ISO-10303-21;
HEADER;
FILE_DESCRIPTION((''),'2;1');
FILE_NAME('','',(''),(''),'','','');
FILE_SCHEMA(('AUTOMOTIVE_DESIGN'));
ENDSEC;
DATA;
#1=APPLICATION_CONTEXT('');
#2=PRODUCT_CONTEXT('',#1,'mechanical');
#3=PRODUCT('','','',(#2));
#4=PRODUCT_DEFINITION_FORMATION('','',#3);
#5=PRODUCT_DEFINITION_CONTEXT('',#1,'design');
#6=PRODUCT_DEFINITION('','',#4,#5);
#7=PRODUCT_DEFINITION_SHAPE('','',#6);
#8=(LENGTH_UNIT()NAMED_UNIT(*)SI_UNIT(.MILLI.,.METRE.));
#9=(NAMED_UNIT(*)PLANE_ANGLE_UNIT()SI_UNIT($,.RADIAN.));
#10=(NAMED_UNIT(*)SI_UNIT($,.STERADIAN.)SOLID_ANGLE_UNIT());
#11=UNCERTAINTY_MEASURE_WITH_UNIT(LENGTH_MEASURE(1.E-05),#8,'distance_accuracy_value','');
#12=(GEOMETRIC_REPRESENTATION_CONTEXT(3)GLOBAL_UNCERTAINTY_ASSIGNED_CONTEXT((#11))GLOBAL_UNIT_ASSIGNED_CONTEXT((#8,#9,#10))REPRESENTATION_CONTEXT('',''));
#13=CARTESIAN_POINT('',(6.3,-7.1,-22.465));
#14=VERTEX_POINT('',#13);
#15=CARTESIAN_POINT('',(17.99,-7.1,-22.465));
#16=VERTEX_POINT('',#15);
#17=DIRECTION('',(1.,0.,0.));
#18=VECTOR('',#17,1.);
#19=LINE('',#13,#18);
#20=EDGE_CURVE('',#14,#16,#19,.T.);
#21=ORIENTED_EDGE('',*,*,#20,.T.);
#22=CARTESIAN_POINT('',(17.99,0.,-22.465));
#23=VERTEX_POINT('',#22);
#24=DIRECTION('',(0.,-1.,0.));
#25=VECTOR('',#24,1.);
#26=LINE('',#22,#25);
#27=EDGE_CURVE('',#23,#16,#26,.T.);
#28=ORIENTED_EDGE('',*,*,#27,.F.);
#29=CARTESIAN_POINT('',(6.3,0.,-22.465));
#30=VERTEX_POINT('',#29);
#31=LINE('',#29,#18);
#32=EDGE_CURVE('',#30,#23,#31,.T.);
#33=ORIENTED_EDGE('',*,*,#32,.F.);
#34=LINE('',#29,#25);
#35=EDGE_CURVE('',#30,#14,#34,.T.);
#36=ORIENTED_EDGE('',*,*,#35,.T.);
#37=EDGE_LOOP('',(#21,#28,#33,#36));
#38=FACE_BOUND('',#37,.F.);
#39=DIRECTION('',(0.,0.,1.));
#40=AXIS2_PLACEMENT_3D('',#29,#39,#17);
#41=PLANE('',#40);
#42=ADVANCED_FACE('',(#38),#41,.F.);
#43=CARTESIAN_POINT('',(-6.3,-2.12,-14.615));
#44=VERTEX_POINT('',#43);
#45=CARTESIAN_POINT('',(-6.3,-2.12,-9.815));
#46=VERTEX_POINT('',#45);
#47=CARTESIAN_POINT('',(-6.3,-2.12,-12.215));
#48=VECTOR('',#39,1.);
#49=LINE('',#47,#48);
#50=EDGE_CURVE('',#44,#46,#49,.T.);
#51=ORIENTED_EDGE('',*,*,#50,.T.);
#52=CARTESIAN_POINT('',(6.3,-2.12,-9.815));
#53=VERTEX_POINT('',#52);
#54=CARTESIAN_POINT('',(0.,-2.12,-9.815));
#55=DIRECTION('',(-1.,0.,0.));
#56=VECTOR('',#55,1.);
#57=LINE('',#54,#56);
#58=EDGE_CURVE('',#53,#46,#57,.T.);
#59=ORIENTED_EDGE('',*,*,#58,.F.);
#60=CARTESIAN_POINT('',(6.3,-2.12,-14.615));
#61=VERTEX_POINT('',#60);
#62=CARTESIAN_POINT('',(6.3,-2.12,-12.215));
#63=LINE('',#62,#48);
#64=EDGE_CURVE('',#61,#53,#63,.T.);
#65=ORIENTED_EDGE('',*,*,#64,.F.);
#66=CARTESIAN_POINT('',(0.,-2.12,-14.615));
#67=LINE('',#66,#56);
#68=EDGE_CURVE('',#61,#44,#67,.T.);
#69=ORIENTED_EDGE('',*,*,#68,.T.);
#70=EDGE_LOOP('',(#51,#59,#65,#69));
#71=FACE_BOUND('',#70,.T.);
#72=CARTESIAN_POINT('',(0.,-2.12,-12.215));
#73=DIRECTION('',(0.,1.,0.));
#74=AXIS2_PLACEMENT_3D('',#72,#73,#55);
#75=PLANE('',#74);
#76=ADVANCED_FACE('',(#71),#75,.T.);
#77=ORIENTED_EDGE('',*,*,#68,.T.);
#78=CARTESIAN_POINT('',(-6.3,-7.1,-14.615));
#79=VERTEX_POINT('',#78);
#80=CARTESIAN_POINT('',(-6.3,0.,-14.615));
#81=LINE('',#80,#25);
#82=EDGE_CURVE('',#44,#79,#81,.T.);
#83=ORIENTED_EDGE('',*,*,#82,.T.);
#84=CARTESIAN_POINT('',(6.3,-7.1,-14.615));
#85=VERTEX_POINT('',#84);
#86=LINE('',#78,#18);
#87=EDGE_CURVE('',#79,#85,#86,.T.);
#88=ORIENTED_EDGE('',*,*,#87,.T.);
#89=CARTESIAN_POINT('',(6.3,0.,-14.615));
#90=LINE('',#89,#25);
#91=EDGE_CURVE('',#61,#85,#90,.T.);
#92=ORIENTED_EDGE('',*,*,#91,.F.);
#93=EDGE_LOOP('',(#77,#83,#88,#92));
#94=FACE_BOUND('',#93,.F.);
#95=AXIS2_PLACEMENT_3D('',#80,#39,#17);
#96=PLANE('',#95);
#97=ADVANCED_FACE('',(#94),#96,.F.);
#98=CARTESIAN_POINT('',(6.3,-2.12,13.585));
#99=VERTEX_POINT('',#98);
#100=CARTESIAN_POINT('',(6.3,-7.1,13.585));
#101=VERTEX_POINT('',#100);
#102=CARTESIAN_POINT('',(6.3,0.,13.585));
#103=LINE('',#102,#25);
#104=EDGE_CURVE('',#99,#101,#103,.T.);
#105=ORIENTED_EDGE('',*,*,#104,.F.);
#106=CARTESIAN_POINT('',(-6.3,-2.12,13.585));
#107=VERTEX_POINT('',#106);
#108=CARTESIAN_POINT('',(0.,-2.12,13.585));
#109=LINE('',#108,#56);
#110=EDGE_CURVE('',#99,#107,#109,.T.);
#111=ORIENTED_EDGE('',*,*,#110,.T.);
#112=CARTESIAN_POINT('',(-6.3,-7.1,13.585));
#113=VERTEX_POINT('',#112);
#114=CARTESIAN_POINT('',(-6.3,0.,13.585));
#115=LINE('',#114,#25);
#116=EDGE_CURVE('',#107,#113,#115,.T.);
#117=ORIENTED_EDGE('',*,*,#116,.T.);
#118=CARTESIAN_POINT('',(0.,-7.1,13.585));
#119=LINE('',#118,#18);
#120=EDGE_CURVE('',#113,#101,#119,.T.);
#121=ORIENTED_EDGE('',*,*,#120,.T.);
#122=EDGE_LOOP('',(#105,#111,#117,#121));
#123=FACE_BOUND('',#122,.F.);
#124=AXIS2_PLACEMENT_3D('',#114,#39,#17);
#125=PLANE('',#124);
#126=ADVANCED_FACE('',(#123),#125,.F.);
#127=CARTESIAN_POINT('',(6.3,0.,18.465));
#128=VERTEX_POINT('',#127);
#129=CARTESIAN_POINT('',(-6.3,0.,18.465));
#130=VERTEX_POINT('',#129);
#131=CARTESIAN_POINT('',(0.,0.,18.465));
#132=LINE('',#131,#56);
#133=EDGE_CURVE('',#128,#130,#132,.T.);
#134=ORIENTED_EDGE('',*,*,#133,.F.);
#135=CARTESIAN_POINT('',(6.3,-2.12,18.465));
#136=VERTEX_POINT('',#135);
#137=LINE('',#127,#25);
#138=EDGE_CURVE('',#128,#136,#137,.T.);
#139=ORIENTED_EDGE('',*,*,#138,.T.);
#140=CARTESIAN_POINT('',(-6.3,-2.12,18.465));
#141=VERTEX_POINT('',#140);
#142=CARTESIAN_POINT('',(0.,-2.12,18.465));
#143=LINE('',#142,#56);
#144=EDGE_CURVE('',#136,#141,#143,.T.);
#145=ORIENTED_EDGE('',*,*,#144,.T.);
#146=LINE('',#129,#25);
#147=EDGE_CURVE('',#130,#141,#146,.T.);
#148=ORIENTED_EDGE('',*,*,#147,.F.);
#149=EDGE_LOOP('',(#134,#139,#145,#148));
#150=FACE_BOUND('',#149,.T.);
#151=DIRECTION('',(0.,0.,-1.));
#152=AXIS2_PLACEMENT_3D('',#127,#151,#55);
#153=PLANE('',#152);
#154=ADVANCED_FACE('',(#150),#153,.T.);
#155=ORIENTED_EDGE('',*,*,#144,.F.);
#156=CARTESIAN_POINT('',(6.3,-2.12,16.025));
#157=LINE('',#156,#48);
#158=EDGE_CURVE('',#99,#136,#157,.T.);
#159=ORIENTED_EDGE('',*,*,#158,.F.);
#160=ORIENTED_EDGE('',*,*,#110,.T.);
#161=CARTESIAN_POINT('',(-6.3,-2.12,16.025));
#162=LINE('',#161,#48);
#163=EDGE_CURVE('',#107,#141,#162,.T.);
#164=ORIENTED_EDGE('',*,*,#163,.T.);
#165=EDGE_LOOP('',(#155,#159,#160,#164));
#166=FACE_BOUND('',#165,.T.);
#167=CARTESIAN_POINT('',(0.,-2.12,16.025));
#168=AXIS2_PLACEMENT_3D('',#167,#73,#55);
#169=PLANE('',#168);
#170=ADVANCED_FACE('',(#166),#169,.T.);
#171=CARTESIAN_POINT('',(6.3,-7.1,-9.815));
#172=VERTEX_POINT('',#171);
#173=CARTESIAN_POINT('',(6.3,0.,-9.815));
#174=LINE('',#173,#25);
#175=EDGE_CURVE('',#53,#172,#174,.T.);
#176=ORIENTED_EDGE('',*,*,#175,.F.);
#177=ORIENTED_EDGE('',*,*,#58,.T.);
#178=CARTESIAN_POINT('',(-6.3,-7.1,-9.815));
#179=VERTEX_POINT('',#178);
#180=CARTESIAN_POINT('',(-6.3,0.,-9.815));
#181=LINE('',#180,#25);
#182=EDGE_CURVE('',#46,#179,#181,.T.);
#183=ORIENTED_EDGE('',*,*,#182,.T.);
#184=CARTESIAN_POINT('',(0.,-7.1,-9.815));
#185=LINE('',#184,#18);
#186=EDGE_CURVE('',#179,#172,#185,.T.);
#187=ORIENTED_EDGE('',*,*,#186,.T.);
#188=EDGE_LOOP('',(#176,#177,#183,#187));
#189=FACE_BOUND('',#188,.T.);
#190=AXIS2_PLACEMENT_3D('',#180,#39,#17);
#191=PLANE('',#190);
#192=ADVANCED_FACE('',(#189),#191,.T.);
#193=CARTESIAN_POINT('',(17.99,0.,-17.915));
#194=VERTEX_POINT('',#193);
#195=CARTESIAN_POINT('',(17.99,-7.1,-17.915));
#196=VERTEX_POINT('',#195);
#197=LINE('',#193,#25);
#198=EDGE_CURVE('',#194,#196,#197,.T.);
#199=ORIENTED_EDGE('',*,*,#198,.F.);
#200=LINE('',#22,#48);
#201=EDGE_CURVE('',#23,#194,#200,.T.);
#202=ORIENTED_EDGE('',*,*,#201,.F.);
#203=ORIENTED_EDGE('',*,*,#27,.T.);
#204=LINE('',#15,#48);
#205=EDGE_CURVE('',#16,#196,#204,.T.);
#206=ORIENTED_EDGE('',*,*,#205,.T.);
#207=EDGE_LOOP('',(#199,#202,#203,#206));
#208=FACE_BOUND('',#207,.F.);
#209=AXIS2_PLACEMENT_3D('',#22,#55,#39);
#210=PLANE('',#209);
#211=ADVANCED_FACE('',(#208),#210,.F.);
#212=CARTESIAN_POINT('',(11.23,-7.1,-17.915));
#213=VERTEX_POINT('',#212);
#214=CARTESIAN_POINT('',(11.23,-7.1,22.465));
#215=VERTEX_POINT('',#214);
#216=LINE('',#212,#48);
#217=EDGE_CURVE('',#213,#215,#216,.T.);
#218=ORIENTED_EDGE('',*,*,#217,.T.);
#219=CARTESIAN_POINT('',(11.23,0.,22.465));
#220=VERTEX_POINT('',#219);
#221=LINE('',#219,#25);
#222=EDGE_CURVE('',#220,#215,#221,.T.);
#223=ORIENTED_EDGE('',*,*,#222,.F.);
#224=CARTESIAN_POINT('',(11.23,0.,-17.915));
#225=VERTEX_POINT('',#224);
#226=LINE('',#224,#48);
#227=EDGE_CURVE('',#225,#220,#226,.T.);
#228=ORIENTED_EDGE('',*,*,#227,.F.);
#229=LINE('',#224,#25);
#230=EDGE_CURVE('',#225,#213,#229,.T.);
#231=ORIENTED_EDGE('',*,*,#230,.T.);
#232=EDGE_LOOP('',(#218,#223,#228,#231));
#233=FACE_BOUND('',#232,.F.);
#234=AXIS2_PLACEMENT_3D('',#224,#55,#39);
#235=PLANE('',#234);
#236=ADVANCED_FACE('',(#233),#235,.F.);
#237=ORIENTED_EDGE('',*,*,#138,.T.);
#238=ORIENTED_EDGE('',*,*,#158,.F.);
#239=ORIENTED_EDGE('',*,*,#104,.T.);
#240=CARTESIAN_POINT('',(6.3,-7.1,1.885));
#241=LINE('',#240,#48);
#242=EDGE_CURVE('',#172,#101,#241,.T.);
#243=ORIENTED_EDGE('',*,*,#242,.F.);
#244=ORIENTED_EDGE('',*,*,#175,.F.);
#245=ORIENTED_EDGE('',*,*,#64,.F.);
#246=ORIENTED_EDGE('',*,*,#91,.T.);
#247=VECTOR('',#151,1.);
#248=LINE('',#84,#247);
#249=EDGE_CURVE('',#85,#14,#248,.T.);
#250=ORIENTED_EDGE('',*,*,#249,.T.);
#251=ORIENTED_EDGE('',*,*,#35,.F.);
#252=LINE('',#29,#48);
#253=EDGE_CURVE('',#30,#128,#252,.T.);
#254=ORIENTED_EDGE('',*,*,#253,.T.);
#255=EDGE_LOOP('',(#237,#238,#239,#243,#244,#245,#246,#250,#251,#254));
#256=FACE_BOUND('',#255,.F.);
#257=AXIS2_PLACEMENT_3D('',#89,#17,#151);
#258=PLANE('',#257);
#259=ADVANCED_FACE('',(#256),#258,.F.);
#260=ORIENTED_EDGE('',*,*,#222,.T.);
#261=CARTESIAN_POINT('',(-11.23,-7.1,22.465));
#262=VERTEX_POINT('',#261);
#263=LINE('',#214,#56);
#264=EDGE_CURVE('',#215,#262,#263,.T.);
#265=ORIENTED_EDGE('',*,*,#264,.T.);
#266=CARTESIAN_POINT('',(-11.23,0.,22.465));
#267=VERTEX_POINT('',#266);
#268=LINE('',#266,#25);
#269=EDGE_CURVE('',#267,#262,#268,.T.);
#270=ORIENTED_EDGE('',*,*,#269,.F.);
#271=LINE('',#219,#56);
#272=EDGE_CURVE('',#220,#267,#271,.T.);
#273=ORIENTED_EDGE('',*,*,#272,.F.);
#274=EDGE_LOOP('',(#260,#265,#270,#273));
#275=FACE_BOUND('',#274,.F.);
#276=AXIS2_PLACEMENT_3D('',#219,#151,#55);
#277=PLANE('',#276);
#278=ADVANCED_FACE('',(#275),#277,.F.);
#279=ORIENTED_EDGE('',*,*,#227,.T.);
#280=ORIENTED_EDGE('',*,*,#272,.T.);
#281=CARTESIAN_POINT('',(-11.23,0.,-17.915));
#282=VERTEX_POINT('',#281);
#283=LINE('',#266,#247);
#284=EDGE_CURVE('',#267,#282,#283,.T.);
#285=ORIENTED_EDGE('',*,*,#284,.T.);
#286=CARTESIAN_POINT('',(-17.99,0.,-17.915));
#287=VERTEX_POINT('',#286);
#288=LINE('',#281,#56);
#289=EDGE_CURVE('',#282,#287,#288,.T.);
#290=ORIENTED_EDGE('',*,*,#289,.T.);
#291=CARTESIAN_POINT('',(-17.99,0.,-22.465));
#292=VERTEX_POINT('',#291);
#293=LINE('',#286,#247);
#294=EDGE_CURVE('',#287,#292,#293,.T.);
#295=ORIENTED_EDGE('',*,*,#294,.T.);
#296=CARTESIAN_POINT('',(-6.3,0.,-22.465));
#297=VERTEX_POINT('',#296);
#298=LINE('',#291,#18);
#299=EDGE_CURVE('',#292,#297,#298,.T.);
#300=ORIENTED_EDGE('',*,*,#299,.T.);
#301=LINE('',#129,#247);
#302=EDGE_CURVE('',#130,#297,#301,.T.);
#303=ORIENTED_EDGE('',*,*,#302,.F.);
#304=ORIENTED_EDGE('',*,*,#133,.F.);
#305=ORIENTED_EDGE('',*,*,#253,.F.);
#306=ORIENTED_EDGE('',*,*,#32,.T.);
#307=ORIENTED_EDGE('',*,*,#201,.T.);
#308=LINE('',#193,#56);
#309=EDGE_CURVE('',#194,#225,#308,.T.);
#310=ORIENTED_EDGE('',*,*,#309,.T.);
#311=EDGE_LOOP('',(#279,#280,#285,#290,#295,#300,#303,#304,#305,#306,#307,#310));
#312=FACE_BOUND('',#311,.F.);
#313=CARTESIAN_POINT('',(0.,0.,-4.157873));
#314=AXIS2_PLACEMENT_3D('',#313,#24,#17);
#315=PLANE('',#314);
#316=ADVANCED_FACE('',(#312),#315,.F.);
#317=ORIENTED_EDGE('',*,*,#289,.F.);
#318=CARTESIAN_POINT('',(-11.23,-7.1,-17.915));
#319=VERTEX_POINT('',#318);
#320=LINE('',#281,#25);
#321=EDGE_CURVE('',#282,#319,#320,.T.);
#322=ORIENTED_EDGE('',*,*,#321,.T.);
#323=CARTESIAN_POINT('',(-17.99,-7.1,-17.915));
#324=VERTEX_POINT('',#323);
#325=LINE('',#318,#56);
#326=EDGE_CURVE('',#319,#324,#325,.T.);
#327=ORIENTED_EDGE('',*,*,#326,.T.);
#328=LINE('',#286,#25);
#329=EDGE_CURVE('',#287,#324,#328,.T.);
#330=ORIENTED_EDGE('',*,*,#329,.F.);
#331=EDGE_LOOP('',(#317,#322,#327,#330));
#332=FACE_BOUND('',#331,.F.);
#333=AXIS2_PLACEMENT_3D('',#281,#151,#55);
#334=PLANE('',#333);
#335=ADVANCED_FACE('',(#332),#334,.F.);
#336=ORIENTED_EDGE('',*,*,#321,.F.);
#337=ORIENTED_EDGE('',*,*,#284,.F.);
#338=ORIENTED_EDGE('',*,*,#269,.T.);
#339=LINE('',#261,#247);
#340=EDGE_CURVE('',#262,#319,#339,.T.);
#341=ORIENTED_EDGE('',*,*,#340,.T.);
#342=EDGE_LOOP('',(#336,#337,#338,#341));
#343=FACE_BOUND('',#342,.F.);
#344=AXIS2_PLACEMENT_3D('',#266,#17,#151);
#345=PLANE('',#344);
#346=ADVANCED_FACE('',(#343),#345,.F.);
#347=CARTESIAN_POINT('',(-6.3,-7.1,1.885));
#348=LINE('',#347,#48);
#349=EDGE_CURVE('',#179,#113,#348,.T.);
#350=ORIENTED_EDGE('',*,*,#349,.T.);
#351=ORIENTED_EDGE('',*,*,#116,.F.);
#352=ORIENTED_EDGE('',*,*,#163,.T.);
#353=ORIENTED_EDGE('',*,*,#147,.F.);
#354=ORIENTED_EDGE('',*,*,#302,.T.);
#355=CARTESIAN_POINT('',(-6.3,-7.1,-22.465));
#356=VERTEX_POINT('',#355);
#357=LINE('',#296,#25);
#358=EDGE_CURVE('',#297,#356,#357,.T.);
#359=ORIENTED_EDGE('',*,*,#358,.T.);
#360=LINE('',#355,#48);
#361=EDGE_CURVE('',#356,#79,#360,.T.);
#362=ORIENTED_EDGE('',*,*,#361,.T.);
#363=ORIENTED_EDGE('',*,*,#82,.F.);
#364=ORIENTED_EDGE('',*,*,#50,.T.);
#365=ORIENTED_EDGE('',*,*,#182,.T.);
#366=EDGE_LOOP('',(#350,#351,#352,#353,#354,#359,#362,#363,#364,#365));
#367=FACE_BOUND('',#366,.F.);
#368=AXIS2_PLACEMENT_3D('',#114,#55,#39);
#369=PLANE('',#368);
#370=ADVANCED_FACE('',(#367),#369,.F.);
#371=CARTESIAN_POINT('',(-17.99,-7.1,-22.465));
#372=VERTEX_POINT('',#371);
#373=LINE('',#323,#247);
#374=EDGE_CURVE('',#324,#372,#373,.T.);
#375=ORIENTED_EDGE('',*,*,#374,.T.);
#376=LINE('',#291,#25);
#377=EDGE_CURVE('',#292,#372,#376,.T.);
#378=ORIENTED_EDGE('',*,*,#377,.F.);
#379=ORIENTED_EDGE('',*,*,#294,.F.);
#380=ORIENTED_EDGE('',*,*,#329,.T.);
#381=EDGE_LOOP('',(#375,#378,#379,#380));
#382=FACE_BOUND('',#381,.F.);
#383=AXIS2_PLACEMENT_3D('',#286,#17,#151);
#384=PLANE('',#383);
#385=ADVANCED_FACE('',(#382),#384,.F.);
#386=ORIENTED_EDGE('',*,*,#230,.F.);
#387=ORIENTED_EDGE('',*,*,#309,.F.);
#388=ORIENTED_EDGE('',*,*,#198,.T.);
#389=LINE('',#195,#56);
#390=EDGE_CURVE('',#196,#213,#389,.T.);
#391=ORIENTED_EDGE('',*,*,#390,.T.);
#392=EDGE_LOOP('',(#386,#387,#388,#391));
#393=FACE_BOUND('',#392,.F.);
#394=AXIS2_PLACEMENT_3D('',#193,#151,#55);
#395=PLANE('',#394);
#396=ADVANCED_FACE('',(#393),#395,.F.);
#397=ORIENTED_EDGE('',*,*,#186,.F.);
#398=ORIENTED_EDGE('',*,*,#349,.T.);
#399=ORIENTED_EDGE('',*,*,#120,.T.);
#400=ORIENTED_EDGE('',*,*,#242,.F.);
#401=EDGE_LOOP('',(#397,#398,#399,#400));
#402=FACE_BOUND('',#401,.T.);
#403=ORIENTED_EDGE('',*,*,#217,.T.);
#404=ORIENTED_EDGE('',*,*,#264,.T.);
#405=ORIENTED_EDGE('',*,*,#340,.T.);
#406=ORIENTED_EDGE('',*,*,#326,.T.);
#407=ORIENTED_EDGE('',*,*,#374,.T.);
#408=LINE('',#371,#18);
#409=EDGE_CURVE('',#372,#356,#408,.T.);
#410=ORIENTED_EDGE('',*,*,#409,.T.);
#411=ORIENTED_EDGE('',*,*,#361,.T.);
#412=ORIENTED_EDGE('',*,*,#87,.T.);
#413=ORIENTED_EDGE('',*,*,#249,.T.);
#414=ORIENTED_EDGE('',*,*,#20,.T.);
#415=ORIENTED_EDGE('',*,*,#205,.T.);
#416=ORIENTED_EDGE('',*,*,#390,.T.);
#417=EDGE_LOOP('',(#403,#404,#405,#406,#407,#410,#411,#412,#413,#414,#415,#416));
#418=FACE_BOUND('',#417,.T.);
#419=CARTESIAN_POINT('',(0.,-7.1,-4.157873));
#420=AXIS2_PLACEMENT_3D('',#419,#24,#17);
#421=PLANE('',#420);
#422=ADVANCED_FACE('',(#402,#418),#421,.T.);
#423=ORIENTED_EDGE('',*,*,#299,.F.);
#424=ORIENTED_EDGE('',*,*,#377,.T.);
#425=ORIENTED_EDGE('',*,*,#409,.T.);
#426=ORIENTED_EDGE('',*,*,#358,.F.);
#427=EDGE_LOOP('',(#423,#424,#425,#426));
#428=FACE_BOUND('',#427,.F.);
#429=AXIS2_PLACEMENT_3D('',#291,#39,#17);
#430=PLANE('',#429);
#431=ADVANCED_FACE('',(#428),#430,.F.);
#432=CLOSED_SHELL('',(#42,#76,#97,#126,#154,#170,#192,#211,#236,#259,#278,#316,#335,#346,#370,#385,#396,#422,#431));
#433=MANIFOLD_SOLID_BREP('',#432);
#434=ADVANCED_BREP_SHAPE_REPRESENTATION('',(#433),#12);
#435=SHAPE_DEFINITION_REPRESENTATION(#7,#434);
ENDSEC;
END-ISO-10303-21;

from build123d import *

# Parameters (mm, degrees)
F0_W     = 12.6
F0_H     = 23.4
F1_DEPTH = 7.1
F2_W     = 12.6
F2_H     = 4.8
F2_H_2   = 4.88
F3_DEPTH = 2.12


with BuildPart() as f1:
    # F0 (on Front) → F1 (new body)
    with BuildSketch(Plane.XZ):
        Polygon((11.23, 22.465), (-11.23, 22.465), (-11.23, -17.915), (-17.99, -17.915), (-17.99, -22.465), (-6.3, -22.465), (-6.3, -14.615), (6.3, -14.615), (6.3, -22.465), (17.99, -22.465), (17.99, -17.915), (11.23, -17.915), align=None)
        with Locations((0, 1.885)):
            Rectangle(F0_W, F0_H, mode=Mode.SUBTRACT)
    extrude(amount=F1_DEPTH)

    # F2 (on face) → F3 (cut)
    with BuildSketch(Plane(origin=(0, 0, 0), x_dir=(-1, 0, 0), z_dir=(0, 1, 0))):
        with Locations((0, -12.215)):
            Rectangle(F2_W, F2_H)
        with Locations((0, 16.025)):
            Rectangle(F2_W, F2_H_2)
    extrude(amount=-F3_DEPTH, mode=Mode.SUBTRACT)


solid = f1.part
